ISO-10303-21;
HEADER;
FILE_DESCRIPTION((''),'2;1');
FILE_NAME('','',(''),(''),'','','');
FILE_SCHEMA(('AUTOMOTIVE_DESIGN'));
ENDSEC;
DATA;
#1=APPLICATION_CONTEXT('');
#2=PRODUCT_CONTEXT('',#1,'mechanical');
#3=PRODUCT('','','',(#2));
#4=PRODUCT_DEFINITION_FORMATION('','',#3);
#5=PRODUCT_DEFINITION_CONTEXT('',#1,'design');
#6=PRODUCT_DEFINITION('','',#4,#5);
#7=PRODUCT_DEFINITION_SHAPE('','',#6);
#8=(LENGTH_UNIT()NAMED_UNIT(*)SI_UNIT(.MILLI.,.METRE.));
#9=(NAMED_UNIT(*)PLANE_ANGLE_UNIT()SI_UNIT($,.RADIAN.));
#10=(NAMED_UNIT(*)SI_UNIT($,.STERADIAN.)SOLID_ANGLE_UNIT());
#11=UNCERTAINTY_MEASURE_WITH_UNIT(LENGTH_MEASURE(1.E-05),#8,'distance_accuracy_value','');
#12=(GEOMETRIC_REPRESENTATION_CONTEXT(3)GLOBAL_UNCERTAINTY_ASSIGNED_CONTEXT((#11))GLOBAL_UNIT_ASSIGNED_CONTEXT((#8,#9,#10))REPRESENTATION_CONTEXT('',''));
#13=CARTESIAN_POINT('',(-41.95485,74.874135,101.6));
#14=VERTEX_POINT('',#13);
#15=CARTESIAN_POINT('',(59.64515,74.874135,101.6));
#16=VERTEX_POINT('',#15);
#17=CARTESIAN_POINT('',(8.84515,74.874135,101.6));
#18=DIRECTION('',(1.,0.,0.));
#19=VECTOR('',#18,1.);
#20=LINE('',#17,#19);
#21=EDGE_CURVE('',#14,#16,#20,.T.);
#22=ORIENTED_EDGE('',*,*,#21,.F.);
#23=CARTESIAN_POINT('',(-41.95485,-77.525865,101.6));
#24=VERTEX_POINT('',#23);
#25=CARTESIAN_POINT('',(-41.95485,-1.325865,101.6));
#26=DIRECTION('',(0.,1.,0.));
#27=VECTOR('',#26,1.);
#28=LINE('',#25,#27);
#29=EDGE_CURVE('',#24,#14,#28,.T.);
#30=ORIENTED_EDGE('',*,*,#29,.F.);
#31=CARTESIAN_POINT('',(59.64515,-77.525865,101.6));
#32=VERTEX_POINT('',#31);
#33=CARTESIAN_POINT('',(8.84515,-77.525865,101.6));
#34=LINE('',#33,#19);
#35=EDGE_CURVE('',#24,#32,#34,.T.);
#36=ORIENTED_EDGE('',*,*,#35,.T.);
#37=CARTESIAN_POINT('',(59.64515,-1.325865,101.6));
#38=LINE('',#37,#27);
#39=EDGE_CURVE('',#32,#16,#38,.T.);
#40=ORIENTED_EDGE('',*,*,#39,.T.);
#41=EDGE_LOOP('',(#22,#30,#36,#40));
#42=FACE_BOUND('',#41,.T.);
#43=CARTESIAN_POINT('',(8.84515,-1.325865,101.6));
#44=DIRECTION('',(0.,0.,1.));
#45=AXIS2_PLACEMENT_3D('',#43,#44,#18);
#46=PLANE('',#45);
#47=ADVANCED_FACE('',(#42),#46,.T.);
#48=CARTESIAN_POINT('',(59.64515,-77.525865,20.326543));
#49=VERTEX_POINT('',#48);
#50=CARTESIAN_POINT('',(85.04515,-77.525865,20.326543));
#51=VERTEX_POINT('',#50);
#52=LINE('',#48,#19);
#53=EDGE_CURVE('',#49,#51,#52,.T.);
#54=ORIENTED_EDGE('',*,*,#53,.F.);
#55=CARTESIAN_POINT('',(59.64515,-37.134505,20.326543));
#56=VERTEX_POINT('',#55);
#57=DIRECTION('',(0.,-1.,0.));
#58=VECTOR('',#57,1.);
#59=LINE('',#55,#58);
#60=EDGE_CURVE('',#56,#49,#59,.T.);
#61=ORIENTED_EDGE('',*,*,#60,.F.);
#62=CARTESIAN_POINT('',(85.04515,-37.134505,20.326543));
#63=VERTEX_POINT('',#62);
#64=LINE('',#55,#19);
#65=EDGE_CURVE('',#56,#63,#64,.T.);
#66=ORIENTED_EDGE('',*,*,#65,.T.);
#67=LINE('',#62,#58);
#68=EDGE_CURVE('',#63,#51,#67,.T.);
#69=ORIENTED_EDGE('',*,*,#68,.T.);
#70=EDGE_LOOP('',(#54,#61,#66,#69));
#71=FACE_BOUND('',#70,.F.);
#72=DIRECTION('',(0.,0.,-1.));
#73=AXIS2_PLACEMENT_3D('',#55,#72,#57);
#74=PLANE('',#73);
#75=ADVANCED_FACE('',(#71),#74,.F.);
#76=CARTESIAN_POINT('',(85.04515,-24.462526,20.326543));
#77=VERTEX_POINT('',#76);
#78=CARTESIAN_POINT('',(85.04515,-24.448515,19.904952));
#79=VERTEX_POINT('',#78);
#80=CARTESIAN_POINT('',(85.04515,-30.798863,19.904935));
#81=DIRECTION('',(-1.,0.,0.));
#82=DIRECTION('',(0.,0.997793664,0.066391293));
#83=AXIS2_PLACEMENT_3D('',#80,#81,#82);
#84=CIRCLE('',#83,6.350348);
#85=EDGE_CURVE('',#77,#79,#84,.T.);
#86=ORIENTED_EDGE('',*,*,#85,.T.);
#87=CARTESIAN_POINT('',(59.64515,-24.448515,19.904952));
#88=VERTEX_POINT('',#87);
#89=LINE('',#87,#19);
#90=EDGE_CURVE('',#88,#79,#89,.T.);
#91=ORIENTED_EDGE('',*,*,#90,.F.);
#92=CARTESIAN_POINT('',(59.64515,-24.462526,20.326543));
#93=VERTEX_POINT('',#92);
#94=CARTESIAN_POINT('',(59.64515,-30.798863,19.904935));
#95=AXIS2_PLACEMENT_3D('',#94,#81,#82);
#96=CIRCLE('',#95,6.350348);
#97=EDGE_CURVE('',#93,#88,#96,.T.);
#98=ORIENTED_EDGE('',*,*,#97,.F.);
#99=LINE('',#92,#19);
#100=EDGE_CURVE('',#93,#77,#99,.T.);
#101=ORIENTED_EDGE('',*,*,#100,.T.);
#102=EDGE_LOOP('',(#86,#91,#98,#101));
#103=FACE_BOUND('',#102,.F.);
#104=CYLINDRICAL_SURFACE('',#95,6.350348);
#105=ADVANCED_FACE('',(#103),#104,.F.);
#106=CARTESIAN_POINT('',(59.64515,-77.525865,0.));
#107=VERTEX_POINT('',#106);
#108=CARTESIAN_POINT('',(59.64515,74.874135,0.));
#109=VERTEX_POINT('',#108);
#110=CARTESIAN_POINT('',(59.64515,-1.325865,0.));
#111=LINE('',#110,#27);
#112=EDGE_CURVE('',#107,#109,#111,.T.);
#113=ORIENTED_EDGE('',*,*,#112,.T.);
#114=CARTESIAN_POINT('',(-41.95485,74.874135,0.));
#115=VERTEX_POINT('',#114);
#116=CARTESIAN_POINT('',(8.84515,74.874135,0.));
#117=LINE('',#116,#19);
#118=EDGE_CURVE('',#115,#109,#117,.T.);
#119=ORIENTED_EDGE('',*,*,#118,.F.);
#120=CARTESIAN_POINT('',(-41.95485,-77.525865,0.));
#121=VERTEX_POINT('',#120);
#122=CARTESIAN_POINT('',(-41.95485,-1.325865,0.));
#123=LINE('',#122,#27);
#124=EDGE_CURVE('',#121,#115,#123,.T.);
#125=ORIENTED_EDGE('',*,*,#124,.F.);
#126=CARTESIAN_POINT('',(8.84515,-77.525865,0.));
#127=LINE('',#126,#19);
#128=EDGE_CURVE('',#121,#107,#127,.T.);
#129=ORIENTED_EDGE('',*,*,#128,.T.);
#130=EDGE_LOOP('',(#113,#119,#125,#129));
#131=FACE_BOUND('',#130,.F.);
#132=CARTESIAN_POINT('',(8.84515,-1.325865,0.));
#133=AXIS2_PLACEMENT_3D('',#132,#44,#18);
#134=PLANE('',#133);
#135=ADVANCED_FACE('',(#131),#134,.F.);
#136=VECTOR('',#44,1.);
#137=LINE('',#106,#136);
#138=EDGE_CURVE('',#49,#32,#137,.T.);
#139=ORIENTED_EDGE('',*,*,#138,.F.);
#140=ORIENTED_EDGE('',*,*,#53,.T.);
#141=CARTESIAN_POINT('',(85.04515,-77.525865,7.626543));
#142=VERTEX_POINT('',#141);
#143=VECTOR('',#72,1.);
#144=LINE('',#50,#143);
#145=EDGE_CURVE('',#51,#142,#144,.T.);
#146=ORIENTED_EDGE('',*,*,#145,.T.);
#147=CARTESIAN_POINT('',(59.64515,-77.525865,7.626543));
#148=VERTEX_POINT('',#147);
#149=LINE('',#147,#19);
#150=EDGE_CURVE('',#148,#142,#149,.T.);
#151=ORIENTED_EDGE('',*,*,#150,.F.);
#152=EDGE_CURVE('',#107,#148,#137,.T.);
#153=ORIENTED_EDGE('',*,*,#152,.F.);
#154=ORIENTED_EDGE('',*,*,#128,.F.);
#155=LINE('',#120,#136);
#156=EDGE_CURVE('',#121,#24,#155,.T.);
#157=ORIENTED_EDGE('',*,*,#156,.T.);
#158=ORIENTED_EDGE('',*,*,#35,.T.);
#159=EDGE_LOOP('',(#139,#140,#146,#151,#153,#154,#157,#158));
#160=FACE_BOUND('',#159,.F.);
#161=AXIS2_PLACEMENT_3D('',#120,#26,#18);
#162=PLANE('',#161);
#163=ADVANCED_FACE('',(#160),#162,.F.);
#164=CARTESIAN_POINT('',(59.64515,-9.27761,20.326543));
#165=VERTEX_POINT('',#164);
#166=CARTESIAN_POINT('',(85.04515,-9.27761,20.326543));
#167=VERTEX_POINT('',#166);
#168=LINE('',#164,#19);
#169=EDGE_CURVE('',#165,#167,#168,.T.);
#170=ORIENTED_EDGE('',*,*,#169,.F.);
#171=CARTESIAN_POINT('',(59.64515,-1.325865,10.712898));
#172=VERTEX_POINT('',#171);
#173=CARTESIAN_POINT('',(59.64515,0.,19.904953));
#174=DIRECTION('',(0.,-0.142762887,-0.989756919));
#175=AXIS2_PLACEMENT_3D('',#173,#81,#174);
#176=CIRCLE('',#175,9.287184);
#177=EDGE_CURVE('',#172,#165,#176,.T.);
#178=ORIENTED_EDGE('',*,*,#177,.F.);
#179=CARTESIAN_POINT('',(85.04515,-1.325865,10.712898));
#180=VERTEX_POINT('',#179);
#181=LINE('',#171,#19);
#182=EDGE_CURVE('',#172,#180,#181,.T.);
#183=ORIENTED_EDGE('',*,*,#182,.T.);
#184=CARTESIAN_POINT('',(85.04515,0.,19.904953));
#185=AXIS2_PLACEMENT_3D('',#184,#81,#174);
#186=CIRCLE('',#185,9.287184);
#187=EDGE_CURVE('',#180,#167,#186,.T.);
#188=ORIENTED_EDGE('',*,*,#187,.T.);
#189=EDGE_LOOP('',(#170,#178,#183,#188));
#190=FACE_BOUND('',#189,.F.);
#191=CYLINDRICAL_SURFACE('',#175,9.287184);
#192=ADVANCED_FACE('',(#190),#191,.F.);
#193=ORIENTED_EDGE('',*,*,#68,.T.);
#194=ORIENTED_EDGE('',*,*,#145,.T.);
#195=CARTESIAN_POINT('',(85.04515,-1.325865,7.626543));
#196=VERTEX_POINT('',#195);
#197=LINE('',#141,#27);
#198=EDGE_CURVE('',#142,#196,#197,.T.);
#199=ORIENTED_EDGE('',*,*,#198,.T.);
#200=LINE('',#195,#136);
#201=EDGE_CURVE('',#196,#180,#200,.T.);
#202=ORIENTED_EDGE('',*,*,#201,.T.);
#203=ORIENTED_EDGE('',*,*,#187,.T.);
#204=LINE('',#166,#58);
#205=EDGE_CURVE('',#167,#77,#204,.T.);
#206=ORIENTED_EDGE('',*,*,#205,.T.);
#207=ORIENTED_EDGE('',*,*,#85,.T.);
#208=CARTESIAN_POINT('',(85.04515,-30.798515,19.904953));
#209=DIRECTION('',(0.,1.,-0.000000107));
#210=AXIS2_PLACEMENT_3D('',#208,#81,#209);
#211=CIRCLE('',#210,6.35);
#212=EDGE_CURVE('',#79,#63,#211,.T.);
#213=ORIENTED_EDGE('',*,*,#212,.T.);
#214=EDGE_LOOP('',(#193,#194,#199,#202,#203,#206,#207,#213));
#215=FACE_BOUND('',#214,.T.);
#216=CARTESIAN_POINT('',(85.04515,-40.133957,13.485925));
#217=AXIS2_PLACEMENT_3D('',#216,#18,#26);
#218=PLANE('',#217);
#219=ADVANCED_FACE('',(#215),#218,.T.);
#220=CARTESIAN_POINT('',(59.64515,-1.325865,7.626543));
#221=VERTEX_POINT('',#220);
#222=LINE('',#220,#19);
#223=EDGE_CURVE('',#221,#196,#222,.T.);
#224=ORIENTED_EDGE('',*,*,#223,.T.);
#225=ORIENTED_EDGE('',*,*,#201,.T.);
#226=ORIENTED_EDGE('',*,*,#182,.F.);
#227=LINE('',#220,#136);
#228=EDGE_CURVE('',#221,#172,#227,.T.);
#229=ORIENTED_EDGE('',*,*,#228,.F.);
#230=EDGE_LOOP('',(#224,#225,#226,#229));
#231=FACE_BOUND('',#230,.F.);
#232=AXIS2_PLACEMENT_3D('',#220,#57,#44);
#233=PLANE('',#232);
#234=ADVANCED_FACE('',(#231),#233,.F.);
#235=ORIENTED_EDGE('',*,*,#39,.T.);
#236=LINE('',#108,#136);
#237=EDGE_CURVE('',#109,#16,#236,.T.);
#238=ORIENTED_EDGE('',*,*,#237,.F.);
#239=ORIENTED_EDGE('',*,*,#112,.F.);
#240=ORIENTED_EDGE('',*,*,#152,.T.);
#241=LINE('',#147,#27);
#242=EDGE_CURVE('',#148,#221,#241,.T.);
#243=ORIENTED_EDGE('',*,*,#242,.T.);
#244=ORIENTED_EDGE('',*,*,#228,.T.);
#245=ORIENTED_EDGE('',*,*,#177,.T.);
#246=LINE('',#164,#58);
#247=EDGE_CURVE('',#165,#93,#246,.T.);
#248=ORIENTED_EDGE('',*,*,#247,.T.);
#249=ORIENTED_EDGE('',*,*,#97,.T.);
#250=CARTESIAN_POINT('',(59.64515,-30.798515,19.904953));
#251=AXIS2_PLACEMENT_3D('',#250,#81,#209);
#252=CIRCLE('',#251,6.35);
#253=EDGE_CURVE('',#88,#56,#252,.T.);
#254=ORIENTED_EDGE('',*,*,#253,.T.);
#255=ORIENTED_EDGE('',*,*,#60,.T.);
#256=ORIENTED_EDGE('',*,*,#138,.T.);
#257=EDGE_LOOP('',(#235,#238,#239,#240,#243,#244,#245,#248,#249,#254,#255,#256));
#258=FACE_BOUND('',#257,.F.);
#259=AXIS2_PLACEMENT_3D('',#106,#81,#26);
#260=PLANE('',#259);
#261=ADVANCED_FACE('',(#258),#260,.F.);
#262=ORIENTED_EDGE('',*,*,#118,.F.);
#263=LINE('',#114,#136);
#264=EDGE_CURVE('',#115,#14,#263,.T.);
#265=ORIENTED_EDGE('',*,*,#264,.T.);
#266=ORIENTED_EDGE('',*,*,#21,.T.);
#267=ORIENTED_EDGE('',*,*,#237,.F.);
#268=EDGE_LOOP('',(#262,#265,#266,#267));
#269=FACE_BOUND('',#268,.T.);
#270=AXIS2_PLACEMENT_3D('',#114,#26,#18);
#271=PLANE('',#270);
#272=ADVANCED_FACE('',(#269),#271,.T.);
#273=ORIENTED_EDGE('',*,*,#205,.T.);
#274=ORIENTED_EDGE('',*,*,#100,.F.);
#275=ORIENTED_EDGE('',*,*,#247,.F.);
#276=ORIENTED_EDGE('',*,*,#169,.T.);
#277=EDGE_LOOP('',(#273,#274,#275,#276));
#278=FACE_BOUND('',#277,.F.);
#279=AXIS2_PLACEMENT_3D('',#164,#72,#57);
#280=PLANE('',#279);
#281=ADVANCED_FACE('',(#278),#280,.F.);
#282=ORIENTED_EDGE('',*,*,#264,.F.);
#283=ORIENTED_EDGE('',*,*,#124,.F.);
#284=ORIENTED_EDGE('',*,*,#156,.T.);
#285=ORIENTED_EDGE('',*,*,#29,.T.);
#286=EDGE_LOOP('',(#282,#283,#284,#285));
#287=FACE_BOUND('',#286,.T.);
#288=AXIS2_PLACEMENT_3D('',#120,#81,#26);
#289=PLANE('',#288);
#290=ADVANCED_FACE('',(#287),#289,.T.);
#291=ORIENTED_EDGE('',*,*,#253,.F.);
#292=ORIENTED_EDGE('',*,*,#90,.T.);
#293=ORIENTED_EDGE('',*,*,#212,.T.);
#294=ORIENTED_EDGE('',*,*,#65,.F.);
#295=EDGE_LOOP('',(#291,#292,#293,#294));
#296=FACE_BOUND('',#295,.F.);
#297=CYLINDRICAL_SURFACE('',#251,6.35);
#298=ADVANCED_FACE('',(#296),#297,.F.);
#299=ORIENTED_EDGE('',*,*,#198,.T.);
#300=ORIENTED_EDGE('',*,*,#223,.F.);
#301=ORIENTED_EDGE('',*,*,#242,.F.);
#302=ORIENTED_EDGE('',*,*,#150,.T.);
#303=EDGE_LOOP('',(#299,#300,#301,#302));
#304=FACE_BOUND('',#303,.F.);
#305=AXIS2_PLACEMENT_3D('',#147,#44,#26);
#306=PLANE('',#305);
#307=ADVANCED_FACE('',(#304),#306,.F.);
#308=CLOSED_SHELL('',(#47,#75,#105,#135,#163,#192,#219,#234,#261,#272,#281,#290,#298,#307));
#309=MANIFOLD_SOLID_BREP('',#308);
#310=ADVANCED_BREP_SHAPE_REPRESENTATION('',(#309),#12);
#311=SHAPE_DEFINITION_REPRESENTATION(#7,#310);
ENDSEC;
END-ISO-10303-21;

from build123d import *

# Parameters (mm, degrees)
F0_W     = 101.6
F0_H     = 152.4
F1_DEPTH = 101.6
F3_DEPTH = 25.4


with BuildPart() as f1:
    # F0 (on Top) → F1 (new body)
    with BuildSketch(Plane.XY):
        with Locations((8.84515, -1.325865)):
            Rectangle(F0_W, F0_H)
    extrude(amount=F1_DEPTH)

    # F2 (on face) → F3 (join)
    with BuildSketch(Plane.YZ.offset(59.64515)):
        with BuildLine():
            ThreePointArc((-24.462526, 20.326543), (-24.452019, 20.115864), (-24.448515, 19.904952))
            ThreePointArc((-24.448515, 19.904952), (-31.009427, 13.558456), (-37.134505, 20.326543))
            Line((-37.134505, 20.326543), (-77.525865, 20.326543))
            Line((-77.525865, 20.326543), (-77.525865, 7.626543))
            Line((-77.525865, 7.626543), (-1.325865, 7.626543))
            Line((-1.325865, 7.626543), (-1.325865, 10.712898))
            ThreePointArc((-1.325865, 10.712898), (-7.156393, 13.985677), (-9.27761, 20.326543))
            Line((-9.27761, 20.326543), (-24.462526, 20.326543))
        make_face()
    extrude(amount=F3_DEPTH)


solid = f1.part
